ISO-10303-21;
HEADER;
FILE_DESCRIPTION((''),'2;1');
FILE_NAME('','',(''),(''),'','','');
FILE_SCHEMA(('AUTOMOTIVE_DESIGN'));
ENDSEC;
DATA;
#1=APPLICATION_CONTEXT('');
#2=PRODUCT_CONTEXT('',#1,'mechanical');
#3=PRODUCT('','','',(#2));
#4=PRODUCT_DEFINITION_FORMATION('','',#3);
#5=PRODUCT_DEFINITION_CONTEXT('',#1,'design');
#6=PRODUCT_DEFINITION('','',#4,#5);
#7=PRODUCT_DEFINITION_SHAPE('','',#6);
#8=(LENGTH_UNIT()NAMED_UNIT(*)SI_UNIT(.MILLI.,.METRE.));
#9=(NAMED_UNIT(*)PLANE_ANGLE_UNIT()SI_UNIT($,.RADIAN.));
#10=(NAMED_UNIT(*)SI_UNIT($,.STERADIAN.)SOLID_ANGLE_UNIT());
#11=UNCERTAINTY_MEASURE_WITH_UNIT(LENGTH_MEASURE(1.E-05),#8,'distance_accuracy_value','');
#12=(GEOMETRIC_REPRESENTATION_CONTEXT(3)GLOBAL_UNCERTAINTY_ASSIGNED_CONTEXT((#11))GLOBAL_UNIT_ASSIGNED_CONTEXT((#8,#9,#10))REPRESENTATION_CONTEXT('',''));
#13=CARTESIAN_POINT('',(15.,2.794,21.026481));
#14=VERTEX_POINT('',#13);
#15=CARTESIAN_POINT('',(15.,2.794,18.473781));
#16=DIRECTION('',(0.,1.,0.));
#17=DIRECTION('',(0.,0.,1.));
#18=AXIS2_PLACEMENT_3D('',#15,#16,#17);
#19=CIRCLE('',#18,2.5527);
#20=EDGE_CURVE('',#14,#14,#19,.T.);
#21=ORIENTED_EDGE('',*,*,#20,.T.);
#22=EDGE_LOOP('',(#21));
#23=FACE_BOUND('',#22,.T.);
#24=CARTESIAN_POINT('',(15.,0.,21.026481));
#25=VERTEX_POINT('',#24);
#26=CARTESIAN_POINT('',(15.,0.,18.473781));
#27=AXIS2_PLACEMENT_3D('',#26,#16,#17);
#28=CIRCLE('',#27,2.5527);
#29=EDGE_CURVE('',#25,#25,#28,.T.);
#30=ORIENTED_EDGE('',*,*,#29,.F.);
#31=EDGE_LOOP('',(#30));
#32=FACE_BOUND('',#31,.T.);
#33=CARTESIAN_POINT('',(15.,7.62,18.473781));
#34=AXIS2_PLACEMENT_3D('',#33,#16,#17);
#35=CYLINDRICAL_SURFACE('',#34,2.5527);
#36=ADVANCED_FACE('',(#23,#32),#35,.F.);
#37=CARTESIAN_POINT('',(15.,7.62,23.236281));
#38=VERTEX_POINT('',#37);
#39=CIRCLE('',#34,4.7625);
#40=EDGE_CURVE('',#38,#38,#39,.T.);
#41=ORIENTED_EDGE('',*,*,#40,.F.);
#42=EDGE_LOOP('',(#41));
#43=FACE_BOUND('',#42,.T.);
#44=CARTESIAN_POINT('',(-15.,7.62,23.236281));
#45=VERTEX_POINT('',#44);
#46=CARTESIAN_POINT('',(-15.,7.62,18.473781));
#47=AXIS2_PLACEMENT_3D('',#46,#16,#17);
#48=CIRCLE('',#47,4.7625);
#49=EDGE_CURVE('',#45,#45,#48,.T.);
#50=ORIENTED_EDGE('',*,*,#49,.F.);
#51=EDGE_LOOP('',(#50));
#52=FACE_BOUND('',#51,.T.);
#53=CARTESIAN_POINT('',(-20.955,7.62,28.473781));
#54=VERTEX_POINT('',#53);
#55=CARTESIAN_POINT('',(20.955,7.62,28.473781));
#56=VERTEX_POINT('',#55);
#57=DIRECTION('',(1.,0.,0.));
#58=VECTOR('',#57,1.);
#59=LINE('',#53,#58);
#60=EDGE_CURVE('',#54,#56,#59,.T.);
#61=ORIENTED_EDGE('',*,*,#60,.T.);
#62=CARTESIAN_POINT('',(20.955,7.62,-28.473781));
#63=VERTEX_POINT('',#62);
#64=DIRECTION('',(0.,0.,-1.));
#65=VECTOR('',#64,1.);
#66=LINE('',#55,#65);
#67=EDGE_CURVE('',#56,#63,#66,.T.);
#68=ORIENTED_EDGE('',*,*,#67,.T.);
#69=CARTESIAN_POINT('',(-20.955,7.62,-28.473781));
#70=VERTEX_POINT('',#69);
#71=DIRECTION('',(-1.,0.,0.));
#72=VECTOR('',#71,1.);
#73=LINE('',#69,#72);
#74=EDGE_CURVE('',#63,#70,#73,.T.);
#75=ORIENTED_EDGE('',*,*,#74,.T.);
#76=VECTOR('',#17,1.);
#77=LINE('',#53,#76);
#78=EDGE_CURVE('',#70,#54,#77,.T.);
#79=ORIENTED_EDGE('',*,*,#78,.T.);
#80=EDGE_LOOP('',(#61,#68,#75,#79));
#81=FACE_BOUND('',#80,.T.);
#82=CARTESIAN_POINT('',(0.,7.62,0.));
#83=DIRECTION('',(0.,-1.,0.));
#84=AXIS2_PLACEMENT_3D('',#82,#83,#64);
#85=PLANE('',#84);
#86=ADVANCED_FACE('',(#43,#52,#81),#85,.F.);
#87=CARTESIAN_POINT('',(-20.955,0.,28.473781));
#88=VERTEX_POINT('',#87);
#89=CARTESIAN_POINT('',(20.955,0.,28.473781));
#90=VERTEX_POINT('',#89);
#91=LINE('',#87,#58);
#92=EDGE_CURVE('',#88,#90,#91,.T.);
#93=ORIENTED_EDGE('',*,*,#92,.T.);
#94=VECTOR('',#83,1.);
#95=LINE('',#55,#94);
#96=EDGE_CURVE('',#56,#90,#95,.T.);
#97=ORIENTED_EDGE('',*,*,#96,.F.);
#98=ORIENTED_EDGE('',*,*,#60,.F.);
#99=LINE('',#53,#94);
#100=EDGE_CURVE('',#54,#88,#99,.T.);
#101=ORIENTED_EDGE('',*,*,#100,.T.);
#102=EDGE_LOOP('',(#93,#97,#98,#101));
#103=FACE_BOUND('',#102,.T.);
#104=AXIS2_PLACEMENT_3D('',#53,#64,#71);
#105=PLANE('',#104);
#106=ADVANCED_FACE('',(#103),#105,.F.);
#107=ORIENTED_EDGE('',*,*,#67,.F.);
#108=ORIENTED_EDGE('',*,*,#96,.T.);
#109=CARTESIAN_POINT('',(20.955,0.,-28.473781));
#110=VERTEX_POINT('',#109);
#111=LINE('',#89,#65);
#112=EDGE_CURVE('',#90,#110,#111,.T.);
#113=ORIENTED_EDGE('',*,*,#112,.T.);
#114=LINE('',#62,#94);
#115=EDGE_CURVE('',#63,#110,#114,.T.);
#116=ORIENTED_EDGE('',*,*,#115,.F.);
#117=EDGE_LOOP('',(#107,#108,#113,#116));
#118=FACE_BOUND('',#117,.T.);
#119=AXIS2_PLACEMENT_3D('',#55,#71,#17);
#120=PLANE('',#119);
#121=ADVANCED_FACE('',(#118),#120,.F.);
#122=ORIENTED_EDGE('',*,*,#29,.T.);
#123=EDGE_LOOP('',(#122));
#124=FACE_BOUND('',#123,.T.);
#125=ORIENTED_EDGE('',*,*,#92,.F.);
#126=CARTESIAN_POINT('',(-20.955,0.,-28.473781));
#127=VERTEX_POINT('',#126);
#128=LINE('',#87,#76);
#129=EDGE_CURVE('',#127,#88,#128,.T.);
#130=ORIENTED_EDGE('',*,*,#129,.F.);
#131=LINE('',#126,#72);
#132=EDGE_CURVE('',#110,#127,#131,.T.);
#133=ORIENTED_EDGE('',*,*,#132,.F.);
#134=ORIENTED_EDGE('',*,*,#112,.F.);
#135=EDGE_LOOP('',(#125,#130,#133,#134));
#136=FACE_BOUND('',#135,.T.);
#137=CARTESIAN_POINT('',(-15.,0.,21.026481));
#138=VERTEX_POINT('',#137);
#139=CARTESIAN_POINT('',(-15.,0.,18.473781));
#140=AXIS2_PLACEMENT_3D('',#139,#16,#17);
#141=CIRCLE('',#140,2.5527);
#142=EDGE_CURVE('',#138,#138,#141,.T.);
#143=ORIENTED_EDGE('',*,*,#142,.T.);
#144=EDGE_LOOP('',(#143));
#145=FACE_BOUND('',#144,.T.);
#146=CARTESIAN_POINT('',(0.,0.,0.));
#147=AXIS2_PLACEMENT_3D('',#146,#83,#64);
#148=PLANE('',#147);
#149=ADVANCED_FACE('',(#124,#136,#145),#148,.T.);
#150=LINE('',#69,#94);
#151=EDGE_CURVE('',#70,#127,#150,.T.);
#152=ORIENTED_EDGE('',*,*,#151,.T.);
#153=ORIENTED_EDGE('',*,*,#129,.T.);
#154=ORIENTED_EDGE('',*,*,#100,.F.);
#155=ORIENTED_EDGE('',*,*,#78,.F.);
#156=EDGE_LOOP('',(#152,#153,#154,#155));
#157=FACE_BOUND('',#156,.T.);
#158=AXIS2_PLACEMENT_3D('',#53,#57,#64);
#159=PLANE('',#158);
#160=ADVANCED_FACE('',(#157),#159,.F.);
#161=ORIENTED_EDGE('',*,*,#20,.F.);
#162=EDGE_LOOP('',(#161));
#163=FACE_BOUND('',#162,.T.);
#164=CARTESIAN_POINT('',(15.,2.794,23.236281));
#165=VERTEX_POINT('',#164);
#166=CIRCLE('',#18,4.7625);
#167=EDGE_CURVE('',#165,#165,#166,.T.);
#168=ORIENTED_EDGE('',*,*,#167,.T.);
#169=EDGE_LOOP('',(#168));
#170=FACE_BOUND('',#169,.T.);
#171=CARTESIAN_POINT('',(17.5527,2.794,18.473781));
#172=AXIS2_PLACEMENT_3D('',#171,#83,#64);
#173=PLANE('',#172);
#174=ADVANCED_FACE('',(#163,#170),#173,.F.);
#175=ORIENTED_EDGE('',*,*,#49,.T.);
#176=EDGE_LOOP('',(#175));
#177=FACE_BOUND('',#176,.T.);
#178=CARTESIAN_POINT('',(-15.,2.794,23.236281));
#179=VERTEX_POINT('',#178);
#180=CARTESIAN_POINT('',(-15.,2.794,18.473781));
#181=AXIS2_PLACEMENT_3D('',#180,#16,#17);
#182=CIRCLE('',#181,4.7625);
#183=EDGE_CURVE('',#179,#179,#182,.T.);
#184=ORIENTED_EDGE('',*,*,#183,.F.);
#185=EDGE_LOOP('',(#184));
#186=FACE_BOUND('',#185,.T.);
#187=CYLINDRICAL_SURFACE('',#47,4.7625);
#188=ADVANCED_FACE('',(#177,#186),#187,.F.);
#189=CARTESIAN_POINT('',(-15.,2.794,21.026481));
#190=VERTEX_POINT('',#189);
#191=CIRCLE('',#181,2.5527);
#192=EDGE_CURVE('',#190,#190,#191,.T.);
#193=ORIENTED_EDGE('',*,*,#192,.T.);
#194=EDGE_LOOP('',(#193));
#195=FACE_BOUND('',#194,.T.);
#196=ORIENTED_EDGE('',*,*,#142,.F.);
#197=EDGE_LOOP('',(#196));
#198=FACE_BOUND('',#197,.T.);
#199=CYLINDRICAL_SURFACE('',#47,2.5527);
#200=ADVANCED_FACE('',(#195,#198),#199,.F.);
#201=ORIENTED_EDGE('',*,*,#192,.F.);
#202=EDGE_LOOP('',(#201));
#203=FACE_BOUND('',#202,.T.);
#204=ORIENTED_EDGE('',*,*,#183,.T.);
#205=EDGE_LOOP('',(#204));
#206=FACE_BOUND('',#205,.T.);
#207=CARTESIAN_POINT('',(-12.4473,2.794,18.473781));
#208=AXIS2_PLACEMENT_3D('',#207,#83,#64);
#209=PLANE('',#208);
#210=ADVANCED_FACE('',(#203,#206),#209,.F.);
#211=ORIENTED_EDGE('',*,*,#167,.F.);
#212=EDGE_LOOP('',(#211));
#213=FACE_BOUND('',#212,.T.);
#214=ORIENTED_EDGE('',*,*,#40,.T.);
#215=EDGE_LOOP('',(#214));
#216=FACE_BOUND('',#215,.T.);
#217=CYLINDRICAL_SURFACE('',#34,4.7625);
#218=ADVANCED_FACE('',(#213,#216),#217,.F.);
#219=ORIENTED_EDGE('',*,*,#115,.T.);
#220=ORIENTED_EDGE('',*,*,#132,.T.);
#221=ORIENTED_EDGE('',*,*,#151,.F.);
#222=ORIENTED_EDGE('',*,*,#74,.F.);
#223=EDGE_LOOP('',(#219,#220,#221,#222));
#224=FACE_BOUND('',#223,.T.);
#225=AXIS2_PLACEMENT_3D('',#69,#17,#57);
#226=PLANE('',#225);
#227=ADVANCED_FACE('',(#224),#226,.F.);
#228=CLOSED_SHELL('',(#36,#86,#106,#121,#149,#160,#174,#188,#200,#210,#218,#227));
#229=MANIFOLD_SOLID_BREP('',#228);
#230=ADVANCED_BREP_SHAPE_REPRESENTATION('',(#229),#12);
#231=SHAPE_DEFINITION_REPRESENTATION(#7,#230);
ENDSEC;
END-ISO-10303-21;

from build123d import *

# Parameters (mm, degrees)
SKETCH2_W                                       = 41.91
SKETCH2_H                                       = 56.947562
BOSS_EXTRUDE1_DEPTH                             = 7.62
CBORE_FOR_10_SOCKET_HEAD_CAP_SCREW1_D           = 5.1054
CBORE_FOR_10_SOCKET_HEAD_CAP_SCREW1_CBORE_D     = 9.525
CBORE_FOR_10_SOCKET_HEAD_CAP_SCREW1_CBORE_DEPTH = 4.826


with BuildPart() as part:
    # Sketch2 → Boss-Extrude1 (new body)
    with BuildSketch(Plane(origin=(0, 0, 0), x_dir=(1, 0, 0), z_dir=(0, 1, 0))):
        Rectangle(SKETCH2_W, SKETCH2_H)
    extrude(amount=BOSS_EXTRUDE1_DEPTH)

    # CBORE for #10 Socket Head Cap Screw1 (through all)
    with Locations(Plane(origin=(-20.955, 7.62, 28.473781), x_dir=(-1, 0, 0), z_dir=(0, 1, 0))):
        with Locations((-5.955, -10), (-35.955, -10)):
            CounterBoreHole(CBORE_FOR_10_SOCKET_HEAD_CAP_SCREW1_D / 2, CBORE_FOR_10_SOCKET_HEAD_CAP_SCREW1_CBORE_D / 2, CBORE_FOR_10_SOCKET_HEAD_CAP_SCREW1_CBORE_DEPTH)


solid = part.part
